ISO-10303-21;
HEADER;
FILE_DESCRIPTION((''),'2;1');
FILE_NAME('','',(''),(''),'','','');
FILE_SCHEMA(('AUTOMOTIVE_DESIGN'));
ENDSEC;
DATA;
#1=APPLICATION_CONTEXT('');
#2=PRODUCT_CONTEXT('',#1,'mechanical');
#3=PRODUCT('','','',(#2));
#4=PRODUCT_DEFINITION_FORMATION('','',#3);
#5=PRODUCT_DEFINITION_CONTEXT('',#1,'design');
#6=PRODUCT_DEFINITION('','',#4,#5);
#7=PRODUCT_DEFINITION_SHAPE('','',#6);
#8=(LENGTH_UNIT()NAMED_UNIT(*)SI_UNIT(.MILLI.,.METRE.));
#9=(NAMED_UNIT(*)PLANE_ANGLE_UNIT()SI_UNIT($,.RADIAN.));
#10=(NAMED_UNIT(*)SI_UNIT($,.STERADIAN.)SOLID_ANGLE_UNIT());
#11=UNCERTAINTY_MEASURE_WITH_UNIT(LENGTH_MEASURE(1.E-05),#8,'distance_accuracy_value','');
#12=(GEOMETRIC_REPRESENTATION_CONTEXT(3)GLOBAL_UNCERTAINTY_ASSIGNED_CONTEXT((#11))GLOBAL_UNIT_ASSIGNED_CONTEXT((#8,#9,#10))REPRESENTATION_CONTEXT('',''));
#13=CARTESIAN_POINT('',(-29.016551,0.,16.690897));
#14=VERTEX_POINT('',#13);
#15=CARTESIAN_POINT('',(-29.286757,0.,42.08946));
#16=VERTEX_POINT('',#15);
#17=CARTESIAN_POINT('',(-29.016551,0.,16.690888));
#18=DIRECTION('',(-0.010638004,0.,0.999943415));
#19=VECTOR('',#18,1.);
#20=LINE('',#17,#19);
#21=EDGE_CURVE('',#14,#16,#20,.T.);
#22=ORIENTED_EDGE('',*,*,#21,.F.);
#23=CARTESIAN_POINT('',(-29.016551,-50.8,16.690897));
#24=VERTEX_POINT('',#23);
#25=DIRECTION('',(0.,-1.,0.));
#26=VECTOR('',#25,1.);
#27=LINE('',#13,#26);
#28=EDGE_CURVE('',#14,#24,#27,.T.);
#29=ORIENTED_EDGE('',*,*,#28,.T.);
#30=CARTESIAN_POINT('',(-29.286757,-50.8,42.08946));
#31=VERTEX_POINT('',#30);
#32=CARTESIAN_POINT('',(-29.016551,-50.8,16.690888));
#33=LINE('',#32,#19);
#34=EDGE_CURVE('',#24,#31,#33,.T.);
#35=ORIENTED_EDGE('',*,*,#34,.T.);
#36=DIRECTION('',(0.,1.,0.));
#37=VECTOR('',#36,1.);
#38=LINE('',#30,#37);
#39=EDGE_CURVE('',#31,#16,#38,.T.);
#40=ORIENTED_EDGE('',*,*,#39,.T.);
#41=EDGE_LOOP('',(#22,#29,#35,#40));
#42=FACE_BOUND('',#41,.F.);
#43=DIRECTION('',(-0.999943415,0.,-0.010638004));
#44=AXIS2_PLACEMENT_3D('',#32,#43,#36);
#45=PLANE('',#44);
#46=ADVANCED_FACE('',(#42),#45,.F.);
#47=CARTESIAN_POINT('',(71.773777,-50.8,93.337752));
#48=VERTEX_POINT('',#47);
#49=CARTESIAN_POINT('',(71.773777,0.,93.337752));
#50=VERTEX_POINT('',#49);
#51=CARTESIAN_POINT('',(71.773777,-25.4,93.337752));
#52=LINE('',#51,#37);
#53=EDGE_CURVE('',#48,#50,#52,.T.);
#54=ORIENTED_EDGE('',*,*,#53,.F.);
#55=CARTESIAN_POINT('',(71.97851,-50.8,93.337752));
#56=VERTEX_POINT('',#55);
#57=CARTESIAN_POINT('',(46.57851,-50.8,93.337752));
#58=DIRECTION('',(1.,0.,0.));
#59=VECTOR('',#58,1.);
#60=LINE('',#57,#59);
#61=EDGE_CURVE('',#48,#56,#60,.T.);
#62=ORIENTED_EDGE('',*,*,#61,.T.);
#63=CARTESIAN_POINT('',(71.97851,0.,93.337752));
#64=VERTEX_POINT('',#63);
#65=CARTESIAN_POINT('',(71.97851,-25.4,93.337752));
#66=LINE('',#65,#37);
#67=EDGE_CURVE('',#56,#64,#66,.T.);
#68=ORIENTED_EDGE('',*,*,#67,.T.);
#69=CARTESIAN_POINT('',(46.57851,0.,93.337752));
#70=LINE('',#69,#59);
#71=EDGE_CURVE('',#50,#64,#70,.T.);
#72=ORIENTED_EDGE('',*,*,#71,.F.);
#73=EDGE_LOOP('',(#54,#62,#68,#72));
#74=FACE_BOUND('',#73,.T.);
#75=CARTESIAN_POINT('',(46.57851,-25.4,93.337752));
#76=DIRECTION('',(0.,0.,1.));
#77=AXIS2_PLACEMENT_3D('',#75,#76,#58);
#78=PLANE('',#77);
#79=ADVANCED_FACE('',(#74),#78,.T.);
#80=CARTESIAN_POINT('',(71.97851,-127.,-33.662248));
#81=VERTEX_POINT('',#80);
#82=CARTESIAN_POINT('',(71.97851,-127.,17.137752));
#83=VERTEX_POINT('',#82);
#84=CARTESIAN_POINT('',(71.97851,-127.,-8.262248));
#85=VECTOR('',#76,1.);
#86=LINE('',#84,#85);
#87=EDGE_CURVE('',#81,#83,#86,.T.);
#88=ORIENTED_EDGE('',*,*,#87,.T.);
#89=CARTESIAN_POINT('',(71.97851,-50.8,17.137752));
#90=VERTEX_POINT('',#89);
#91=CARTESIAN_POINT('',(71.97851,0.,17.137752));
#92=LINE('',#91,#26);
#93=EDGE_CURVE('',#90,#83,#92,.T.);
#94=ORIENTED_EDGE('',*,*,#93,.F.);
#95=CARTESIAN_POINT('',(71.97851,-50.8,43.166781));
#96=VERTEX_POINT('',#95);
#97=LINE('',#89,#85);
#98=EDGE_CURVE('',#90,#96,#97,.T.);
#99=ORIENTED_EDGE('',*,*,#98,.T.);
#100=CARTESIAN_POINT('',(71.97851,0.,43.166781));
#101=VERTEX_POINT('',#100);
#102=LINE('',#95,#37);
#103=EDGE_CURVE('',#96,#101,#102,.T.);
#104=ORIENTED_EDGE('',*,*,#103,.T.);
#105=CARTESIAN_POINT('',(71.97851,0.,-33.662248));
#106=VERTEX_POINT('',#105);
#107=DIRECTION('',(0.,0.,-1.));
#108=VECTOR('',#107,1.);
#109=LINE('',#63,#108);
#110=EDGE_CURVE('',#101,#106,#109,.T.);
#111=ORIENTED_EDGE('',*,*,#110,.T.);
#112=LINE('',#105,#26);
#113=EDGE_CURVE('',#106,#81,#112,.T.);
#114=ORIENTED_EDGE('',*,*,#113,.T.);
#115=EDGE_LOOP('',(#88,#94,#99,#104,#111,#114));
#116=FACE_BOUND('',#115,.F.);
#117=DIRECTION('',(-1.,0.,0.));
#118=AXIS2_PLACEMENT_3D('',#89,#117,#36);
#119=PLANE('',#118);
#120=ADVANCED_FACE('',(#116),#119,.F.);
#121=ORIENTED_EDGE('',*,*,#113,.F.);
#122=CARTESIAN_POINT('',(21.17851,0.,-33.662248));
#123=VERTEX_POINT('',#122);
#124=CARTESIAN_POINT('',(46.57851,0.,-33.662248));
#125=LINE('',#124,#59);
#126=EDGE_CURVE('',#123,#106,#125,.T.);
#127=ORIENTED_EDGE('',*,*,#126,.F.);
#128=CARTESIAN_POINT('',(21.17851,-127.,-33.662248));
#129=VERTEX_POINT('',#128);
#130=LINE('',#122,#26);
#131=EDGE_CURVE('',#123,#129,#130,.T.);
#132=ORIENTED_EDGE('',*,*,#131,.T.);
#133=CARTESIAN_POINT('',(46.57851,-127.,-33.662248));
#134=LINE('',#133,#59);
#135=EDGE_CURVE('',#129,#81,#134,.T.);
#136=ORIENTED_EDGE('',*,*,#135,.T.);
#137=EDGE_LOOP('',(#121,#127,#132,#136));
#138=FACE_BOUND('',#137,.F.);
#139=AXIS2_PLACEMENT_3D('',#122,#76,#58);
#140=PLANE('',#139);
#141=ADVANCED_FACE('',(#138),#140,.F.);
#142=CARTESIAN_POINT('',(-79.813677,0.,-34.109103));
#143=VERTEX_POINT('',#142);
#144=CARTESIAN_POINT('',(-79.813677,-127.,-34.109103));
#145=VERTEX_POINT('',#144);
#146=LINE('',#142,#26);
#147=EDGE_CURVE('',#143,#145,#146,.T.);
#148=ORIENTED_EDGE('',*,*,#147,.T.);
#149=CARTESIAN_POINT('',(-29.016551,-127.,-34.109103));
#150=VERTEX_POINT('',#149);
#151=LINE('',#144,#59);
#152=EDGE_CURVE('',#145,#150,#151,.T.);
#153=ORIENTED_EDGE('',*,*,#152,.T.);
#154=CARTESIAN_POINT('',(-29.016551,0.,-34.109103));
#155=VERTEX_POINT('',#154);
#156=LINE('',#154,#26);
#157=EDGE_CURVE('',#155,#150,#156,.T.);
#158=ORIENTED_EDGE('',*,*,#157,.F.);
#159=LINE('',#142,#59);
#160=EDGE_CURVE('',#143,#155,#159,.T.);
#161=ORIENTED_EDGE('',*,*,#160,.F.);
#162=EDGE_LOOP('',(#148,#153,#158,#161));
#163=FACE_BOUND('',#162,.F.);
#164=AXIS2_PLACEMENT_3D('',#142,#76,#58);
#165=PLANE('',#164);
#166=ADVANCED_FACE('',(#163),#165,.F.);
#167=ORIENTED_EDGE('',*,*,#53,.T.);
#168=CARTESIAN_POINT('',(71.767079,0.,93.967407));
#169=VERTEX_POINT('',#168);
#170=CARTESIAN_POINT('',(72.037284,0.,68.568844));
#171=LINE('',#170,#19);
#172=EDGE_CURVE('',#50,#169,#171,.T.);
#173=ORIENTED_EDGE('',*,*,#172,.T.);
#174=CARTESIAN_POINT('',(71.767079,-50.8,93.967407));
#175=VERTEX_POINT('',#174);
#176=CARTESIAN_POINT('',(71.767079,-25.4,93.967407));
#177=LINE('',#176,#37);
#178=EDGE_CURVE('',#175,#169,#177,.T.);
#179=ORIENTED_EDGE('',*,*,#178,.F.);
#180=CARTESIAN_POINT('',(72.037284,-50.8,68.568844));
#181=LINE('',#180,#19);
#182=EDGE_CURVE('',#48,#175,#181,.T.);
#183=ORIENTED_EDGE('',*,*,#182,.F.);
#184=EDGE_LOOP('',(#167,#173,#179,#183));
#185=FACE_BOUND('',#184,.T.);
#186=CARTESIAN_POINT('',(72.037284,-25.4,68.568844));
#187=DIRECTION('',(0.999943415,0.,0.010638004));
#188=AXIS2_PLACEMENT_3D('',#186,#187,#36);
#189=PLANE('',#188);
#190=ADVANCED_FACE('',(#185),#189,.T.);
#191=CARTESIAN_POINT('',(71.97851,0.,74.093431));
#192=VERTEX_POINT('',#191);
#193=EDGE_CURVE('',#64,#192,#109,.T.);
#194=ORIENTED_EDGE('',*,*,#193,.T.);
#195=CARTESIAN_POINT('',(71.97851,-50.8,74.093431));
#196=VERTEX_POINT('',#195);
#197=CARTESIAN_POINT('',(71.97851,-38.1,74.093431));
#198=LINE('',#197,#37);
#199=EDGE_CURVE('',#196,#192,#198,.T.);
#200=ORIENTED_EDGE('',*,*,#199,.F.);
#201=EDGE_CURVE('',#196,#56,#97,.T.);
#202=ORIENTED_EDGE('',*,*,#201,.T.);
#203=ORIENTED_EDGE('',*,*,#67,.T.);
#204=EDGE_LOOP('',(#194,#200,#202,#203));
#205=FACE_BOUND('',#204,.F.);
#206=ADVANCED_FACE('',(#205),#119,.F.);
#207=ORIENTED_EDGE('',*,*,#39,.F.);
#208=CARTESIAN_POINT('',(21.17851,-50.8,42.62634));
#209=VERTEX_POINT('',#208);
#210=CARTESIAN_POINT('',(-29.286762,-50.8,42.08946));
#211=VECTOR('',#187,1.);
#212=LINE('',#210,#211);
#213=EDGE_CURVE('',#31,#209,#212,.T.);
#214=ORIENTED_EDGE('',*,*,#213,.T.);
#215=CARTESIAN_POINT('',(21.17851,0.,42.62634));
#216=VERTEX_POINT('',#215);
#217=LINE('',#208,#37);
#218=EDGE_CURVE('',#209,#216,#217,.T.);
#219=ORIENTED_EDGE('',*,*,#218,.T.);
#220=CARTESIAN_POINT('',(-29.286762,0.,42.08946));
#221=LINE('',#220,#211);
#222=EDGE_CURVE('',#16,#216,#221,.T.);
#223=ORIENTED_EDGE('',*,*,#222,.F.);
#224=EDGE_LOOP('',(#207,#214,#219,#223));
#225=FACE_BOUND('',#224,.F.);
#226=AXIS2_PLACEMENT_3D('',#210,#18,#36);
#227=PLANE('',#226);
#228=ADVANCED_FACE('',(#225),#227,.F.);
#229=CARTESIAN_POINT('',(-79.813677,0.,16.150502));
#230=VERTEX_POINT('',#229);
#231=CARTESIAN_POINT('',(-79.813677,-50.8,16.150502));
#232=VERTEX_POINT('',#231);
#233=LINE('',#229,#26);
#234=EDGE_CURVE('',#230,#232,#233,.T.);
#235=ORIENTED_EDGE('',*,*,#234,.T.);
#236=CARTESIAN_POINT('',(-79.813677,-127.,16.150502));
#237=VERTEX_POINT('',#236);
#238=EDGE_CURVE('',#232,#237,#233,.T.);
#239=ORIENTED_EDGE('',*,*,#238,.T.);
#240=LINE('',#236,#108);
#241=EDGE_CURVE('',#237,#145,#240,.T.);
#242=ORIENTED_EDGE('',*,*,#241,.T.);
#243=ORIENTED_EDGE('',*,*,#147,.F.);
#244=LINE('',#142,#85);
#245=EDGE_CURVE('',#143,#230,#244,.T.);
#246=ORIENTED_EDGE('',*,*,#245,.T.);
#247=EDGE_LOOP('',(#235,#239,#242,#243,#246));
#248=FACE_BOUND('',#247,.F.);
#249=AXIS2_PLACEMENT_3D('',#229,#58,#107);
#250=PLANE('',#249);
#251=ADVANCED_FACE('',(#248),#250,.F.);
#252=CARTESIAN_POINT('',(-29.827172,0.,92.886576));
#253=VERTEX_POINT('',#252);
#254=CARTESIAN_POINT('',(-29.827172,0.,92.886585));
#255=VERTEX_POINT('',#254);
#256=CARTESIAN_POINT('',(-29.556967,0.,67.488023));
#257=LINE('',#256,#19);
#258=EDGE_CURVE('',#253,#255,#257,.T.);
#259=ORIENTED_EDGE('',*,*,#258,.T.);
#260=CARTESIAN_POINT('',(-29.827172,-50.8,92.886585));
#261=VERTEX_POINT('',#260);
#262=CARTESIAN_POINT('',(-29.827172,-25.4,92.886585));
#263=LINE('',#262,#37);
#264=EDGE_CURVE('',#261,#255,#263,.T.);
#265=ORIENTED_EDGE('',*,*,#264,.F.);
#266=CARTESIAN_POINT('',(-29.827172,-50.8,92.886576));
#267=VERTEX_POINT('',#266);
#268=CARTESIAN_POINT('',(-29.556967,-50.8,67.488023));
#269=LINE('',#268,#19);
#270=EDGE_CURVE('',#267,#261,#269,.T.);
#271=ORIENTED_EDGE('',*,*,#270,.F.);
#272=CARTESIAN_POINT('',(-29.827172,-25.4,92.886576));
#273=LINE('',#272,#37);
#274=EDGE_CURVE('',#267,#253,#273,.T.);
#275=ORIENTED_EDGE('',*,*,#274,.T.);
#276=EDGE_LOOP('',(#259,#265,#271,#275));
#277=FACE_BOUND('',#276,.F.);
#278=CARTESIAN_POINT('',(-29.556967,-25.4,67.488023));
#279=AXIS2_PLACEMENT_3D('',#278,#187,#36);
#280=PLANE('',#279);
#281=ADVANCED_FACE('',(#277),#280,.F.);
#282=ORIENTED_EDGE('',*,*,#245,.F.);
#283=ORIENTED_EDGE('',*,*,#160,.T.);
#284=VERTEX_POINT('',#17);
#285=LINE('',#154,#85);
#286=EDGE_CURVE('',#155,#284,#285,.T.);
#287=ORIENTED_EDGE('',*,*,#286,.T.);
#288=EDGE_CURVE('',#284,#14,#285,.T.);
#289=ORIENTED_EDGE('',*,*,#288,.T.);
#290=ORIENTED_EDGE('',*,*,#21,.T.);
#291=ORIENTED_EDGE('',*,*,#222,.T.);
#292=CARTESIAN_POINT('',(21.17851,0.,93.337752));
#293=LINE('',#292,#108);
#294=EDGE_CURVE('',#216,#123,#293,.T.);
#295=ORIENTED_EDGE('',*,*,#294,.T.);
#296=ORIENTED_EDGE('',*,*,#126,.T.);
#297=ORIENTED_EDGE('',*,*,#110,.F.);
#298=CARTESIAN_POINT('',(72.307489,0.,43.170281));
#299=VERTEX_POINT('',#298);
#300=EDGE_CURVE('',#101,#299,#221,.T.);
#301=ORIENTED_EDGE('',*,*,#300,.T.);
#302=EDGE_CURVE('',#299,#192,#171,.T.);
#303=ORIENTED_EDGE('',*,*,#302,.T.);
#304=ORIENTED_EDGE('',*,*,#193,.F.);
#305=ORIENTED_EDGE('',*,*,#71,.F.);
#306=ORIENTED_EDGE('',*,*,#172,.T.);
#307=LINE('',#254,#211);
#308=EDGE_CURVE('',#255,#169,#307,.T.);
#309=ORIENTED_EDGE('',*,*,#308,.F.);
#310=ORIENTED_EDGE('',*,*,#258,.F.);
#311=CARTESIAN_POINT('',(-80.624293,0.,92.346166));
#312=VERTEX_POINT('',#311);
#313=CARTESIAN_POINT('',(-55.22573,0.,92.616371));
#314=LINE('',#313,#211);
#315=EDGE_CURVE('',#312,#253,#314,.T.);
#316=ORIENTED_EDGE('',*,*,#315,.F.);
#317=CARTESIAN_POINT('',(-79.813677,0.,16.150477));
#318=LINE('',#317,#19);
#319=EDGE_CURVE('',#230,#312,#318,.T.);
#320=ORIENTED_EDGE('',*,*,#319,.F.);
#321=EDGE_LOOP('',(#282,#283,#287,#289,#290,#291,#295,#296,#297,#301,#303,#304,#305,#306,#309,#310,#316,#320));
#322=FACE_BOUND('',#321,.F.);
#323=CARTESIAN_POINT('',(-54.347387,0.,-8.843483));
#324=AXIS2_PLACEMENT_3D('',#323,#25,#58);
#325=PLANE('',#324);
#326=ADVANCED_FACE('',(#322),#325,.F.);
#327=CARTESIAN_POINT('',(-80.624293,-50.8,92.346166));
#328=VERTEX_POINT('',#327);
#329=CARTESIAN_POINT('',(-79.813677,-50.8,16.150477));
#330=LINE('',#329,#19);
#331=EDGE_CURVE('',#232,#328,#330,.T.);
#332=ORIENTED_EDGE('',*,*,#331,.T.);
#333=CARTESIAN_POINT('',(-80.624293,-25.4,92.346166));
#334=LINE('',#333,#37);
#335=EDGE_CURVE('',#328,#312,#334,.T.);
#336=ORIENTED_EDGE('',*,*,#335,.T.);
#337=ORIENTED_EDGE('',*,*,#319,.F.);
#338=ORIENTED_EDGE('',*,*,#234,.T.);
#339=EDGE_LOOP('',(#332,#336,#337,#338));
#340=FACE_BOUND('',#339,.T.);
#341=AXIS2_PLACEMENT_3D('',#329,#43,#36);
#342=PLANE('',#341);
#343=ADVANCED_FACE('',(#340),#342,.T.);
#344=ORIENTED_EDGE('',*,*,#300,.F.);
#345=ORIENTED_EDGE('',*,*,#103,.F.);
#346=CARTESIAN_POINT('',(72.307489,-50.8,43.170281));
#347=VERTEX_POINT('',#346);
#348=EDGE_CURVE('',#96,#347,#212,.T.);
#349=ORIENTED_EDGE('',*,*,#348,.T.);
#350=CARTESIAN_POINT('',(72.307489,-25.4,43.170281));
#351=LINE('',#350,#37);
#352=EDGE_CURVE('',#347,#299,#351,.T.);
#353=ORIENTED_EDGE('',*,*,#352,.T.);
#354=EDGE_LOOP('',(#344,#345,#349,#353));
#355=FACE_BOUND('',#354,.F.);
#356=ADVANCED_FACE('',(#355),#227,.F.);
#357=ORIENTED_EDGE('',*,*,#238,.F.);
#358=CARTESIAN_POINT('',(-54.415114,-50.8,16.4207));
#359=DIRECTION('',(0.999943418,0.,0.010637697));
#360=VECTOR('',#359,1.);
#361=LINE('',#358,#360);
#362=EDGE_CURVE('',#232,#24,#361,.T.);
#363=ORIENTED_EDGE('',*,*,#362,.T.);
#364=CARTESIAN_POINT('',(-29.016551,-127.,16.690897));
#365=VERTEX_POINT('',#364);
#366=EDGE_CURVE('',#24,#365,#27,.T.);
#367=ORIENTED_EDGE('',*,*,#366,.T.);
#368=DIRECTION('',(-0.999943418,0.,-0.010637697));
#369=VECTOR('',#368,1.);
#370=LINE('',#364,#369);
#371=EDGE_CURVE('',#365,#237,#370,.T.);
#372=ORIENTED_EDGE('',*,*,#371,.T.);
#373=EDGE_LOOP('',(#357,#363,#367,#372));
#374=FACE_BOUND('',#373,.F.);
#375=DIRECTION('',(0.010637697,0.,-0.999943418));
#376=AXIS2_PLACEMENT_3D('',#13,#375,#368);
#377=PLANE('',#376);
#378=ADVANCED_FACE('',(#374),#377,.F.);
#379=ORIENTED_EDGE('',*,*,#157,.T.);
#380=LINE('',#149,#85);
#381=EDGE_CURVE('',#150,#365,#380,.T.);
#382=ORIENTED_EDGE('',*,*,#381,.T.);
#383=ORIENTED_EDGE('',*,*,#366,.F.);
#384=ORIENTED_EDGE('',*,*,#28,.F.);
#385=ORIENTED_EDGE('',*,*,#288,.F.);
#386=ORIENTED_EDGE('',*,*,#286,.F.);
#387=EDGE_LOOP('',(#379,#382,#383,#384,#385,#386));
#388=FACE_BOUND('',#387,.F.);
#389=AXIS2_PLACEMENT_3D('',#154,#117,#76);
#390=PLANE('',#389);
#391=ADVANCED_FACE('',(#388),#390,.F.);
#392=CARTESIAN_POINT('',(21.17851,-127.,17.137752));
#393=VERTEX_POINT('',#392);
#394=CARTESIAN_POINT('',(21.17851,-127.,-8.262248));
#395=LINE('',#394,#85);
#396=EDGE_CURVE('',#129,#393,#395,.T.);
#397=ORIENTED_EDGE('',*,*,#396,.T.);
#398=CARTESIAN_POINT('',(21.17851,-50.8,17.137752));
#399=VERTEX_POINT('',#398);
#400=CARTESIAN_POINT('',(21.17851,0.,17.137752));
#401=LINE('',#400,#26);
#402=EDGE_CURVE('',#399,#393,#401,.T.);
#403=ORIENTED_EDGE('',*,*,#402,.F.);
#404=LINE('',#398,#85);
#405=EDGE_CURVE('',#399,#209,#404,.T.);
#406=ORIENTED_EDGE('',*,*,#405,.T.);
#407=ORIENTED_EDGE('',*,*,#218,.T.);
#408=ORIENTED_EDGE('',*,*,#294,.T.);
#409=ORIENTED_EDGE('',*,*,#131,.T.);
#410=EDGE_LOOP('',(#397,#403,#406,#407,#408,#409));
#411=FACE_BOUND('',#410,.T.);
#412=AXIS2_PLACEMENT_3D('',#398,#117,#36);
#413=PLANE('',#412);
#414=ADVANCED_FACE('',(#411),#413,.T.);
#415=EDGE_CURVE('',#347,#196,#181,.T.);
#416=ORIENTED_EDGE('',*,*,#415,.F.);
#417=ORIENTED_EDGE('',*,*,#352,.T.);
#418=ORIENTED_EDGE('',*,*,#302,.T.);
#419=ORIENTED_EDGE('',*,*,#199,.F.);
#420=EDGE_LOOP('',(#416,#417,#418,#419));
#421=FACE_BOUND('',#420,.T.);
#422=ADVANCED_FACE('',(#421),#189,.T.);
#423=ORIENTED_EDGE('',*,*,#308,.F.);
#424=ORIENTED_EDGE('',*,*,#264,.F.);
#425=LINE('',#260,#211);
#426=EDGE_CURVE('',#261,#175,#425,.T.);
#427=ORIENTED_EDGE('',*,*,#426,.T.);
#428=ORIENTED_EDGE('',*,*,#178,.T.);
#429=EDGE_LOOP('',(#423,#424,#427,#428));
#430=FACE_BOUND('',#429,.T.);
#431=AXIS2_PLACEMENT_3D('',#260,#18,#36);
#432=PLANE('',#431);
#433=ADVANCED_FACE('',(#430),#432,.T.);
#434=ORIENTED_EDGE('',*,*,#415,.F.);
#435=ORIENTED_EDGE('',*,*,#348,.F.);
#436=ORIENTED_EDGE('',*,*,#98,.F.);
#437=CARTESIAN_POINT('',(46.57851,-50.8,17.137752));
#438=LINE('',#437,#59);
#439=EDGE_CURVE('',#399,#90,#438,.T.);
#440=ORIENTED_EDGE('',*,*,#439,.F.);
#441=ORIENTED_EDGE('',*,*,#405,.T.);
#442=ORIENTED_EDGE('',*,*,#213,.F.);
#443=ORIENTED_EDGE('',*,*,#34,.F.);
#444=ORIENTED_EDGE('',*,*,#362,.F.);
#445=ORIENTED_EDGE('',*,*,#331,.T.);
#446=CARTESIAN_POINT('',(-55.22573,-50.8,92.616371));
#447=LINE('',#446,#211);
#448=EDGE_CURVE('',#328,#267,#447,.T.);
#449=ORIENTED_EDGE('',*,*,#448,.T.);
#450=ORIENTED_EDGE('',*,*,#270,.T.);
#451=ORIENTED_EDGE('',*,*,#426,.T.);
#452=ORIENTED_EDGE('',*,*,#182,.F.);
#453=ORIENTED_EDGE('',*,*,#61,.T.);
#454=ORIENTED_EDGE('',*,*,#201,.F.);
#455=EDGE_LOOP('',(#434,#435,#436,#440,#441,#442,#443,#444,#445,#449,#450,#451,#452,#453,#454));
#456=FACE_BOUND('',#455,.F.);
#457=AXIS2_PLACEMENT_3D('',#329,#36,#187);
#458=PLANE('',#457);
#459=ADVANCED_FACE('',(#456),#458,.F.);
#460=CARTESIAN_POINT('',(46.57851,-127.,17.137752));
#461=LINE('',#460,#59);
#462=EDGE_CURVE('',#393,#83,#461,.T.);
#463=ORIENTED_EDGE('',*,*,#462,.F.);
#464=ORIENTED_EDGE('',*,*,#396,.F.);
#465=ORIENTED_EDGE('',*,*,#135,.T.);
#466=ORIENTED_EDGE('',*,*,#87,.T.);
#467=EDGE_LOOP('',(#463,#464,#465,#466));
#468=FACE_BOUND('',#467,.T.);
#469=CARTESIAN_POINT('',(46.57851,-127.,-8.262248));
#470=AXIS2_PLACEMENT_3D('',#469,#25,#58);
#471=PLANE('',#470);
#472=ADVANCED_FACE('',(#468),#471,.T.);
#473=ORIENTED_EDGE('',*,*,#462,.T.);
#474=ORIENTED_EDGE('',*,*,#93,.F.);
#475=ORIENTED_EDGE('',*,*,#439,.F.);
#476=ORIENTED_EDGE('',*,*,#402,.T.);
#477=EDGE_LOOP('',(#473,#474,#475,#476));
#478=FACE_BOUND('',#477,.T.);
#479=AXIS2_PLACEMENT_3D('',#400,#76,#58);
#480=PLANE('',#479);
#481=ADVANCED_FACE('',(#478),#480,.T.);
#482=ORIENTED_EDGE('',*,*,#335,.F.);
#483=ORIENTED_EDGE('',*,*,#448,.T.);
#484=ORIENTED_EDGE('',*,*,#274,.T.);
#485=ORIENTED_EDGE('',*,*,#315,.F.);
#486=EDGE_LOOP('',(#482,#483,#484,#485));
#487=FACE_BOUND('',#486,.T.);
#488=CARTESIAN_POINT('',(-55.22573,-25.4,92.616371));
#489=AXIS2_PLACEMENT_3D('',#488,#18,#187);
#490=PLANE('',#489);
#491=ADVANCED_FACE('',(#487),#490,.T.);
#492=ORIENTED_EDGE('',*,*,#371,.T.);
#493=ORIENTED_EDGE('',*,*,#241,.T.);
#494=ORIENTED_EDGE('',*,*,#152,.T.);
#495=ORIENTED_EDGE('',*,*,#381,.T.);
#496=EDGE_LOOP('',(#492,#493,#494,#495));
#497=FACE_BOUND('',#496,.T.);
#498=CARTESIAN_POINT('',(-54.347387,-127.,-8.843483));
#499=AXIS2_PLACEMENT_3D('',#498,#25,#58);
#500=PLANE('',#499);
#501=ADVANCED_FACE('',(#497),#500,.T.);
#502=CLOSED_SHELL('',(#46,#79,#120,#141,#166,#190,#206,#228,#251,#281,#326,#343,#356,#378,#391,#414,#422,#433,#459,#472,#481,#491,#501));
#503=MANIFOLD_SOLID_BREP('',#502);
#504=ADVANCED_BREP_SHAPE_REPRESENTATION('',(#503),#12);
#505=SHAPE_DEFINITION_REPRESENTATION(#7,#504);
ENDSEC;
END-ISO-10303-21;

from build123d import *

# Parameters (mm, degrees)
F1_DEPTH = 127
F0_W     = 50.8
F0_H     = 50.8
F2_DEPTH = 127
F3_W     = 50.8
F3_H     = 50.8
F4_DEPTH = 76.2
F5_W     = 50.8
F5_H     = 50.8
F6_DEPTH = 76.2
F7_W     = 50.8
F7_H     = 50.8
F8_DEPTH = 101.6


with BuildPart() as f1:
    # F0 (on Front) → F1 (new body)
    with BuildSketch(Plane.XZ):
        Polygon((-29.016551, 16.690897), (-79.813677, 16.150502), (-79.813677, -34.109103), (-29.016551, -34.109103), align=None)
    extrude(amount=F1_DEPTH)

    # F3 (on face) → F4 (join)
    with BuildSketch(Plane(origin=(-0.180826, 0, 16.99766), x_dir=(0.999943, 0, 0.010638), z_dir=(-0.010638, 0, 0.999943))):
        with Locations((-54.237357, -25.4)):
            Rectangle(F3_W, F3_H)
    extrude(amount=F4_DEPTH)



with BuildPart() as f2:
    # F0 (on Front) → F2 (new body)
    with BuildSketch(Plane.XZ):
        with Locations((46.57851, -8.262248)):
            Rectangle(F0_W, F0_H)
    extrude(amount=F2_DEPTH)

    # F5 (on face) → F6 (join)
    with BuildSketch(Plane.XY.offset(17.137752)):
        with Locations((46.57851, -25.4)):
            Rectangle(F5_W, F5_H)
    extrude(amount=F6_DEPTH)


with BuildPart() as f1_1:
    add(f1.part)

    add(f2.part)  # F8 merges F2
    # F7 (on face) → F8 (join)
    with BuildSketch(Plane(origin=(-28.835725, 0, -0.306763), x_dir=(0, 1, 0), z_dir=(0.999943, 0, 0.010638))):
        with Locations((-25.4, 67.798622)):
            Rectangle(F7_W, F7_H)
    extrude(amount=F8_DEPTH)


solid = f1_1.part
